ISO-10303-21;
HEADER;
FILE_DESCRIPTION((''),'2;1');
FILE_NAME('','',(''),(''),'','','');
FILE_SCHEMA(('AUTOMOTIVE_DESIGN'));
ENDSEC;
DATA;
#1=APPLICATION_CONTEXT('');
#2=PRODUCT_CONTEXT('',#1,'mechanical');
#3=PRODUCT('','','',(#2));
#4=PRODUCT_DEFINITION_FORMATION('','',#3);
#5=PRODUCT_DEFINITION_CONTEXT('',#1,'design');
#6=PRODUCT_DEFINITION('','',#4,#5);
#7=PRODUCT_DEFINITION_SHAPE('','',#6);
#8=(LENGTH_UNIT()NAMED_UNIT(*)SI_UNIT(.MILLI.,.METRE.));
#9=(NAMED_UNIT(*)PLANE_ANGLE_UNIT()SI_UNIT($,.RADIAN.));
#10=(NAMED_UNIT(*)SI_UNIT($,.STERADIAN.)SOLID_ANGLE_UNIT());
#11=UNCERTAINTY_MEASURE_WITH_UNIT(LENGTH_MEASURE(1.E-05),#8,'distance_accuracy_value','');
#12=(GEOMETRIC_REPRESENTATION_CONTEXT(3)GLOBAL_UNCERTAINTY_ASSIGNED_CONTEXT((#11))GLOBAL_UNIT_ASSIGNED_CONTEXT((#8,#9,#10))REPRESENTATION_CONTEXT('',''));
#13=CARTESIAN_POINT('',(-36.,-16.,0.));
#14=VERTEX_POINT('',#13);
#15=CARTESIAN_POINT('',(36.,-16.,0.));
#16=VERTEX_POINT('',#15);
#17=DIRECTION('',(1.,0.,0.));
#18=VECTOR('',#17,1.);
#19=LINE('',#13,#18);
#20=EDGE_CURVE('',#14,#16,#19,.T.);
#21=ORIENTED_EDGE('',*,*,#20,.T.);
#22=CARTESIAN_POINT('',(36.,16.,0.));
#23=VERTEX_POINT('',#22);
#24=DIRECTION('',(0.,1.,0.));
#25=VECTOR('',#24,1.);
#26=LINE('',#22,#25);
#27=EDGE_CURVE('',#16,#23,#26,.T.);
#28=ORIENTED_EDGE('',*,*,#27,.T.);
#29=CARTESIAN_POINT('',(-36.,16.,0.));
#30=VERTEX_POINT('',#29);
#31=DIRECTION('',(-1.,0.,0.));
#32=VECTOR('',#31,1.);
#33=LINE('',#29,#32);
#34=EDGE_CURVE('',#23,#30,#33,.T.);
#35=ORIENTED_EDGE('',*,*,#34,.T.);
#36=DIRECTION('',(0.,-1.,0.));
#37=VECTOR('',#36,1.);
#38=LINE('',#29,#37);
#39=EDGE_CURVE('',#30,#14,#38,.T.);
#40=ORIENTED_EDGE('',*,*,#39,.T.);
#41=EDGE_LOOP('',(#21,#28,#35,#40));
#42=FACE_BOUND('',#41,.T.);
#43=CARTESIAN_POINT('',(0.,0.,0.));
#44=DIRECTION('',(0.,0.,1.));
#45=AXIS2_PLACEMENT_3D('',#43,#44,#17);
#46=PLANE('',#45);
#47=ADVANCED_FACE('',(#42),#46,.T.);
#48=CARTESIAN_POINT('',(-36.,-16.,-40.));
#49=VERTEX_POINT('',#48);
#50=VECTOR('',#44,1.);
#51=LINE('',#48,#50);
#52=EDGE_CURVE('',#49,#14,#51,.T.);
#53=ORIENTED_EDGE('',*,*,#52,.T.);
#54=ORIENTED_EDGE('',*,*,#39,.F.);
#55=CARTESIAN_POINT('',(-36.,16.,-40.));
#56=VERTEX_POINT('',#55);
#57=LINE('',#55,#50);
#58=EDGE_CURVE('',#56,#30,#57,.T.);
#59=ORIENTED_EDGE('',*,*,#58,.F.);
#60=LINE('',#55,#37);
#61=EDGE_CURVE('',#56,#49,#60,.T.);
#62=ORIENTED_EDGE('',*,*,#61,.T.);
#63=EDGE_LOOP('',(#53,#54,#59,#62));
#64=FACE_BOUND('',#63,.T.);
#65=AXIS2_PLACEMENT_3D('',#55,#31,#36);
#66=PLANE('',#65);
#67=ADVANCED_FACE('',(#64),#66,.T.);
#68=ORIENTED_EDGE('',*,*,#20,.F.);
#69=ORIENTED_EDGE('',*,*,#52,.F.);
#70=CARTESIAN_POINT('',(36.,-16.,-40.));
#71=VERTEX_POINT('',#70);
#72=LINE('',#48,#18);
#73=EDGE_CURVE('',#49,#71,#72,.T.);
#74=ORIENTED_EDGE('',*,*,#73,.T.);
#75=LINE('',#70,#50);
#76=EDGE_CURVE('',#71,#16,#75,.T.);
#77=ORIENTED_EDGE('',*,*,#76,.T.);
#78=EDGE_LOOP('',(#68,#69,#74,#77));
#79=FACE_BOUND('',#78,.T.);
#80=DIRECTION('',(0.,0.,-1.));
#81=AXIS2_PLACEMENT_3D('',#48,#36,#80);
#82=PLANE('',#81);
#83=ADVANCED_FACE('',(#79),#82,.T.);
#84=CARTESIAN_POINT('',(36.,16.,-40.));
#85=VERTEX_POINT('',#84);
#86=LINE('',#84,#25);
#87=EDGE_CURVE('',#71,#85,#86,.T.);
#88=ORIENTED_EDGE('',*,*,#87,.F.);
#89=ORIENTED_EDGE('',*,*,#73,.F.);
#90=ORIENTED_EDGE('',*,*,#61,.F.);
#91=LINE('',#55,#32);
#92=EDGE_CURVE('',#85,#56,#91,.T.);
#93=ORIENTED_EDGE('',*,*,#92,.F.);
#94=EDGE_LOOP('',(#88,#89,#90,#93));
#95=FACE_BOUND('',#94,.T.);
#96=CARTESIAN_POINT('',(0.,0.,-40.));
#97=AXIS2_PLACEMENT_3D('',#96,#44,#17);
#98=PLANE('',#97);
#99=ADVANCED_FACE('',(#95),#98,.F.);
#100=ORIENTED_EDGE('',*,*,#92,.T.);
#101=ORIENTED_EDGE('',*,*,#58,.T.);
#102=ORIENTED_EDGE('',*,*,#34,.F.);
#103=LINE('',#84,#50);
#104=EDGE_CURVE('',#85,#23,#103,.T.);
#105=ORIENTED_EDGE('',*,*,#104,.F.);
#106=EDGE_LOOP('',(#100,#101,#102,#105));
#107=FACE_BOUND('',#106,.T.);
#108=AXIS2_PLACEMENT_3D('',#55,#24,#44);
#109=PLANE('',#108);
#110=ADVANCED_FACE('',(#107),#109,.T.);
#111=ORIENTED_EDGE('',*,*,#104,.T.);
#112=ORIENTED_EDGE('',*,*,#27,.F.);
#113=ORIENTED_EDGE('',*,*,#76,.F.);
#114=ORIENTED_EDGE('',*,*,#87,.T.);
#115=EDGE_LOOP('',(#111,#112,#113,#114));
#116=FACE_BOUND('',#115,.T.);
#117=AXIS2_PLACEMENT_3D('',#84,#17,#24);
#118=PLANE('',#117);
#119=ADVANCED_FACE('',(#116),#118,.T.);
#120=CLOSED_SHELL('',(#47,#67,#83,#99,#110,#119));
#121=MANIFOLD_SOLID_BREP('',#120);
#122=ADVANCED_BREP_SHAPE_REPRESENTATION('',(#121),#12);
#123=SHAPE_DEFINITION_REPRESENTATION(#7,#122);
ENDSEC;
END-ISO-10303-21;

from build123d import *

# Parameters (mm, degrees)
SKETCH1_W           = 72
SKETCH1_H           = 32
BOSS_EXTRUDE1_DEPTH = 40


with BuildPart() as part:
    # Sketch1 → Boss-Extrude1 (new body)
    with BuildSketch(Plane.XY):
        Rectangle(SKETCH1_W, SKETCH1_H)
    extrude(amount=-BOSS_EXTRUDE1_DEPTH)


solid = part.part
